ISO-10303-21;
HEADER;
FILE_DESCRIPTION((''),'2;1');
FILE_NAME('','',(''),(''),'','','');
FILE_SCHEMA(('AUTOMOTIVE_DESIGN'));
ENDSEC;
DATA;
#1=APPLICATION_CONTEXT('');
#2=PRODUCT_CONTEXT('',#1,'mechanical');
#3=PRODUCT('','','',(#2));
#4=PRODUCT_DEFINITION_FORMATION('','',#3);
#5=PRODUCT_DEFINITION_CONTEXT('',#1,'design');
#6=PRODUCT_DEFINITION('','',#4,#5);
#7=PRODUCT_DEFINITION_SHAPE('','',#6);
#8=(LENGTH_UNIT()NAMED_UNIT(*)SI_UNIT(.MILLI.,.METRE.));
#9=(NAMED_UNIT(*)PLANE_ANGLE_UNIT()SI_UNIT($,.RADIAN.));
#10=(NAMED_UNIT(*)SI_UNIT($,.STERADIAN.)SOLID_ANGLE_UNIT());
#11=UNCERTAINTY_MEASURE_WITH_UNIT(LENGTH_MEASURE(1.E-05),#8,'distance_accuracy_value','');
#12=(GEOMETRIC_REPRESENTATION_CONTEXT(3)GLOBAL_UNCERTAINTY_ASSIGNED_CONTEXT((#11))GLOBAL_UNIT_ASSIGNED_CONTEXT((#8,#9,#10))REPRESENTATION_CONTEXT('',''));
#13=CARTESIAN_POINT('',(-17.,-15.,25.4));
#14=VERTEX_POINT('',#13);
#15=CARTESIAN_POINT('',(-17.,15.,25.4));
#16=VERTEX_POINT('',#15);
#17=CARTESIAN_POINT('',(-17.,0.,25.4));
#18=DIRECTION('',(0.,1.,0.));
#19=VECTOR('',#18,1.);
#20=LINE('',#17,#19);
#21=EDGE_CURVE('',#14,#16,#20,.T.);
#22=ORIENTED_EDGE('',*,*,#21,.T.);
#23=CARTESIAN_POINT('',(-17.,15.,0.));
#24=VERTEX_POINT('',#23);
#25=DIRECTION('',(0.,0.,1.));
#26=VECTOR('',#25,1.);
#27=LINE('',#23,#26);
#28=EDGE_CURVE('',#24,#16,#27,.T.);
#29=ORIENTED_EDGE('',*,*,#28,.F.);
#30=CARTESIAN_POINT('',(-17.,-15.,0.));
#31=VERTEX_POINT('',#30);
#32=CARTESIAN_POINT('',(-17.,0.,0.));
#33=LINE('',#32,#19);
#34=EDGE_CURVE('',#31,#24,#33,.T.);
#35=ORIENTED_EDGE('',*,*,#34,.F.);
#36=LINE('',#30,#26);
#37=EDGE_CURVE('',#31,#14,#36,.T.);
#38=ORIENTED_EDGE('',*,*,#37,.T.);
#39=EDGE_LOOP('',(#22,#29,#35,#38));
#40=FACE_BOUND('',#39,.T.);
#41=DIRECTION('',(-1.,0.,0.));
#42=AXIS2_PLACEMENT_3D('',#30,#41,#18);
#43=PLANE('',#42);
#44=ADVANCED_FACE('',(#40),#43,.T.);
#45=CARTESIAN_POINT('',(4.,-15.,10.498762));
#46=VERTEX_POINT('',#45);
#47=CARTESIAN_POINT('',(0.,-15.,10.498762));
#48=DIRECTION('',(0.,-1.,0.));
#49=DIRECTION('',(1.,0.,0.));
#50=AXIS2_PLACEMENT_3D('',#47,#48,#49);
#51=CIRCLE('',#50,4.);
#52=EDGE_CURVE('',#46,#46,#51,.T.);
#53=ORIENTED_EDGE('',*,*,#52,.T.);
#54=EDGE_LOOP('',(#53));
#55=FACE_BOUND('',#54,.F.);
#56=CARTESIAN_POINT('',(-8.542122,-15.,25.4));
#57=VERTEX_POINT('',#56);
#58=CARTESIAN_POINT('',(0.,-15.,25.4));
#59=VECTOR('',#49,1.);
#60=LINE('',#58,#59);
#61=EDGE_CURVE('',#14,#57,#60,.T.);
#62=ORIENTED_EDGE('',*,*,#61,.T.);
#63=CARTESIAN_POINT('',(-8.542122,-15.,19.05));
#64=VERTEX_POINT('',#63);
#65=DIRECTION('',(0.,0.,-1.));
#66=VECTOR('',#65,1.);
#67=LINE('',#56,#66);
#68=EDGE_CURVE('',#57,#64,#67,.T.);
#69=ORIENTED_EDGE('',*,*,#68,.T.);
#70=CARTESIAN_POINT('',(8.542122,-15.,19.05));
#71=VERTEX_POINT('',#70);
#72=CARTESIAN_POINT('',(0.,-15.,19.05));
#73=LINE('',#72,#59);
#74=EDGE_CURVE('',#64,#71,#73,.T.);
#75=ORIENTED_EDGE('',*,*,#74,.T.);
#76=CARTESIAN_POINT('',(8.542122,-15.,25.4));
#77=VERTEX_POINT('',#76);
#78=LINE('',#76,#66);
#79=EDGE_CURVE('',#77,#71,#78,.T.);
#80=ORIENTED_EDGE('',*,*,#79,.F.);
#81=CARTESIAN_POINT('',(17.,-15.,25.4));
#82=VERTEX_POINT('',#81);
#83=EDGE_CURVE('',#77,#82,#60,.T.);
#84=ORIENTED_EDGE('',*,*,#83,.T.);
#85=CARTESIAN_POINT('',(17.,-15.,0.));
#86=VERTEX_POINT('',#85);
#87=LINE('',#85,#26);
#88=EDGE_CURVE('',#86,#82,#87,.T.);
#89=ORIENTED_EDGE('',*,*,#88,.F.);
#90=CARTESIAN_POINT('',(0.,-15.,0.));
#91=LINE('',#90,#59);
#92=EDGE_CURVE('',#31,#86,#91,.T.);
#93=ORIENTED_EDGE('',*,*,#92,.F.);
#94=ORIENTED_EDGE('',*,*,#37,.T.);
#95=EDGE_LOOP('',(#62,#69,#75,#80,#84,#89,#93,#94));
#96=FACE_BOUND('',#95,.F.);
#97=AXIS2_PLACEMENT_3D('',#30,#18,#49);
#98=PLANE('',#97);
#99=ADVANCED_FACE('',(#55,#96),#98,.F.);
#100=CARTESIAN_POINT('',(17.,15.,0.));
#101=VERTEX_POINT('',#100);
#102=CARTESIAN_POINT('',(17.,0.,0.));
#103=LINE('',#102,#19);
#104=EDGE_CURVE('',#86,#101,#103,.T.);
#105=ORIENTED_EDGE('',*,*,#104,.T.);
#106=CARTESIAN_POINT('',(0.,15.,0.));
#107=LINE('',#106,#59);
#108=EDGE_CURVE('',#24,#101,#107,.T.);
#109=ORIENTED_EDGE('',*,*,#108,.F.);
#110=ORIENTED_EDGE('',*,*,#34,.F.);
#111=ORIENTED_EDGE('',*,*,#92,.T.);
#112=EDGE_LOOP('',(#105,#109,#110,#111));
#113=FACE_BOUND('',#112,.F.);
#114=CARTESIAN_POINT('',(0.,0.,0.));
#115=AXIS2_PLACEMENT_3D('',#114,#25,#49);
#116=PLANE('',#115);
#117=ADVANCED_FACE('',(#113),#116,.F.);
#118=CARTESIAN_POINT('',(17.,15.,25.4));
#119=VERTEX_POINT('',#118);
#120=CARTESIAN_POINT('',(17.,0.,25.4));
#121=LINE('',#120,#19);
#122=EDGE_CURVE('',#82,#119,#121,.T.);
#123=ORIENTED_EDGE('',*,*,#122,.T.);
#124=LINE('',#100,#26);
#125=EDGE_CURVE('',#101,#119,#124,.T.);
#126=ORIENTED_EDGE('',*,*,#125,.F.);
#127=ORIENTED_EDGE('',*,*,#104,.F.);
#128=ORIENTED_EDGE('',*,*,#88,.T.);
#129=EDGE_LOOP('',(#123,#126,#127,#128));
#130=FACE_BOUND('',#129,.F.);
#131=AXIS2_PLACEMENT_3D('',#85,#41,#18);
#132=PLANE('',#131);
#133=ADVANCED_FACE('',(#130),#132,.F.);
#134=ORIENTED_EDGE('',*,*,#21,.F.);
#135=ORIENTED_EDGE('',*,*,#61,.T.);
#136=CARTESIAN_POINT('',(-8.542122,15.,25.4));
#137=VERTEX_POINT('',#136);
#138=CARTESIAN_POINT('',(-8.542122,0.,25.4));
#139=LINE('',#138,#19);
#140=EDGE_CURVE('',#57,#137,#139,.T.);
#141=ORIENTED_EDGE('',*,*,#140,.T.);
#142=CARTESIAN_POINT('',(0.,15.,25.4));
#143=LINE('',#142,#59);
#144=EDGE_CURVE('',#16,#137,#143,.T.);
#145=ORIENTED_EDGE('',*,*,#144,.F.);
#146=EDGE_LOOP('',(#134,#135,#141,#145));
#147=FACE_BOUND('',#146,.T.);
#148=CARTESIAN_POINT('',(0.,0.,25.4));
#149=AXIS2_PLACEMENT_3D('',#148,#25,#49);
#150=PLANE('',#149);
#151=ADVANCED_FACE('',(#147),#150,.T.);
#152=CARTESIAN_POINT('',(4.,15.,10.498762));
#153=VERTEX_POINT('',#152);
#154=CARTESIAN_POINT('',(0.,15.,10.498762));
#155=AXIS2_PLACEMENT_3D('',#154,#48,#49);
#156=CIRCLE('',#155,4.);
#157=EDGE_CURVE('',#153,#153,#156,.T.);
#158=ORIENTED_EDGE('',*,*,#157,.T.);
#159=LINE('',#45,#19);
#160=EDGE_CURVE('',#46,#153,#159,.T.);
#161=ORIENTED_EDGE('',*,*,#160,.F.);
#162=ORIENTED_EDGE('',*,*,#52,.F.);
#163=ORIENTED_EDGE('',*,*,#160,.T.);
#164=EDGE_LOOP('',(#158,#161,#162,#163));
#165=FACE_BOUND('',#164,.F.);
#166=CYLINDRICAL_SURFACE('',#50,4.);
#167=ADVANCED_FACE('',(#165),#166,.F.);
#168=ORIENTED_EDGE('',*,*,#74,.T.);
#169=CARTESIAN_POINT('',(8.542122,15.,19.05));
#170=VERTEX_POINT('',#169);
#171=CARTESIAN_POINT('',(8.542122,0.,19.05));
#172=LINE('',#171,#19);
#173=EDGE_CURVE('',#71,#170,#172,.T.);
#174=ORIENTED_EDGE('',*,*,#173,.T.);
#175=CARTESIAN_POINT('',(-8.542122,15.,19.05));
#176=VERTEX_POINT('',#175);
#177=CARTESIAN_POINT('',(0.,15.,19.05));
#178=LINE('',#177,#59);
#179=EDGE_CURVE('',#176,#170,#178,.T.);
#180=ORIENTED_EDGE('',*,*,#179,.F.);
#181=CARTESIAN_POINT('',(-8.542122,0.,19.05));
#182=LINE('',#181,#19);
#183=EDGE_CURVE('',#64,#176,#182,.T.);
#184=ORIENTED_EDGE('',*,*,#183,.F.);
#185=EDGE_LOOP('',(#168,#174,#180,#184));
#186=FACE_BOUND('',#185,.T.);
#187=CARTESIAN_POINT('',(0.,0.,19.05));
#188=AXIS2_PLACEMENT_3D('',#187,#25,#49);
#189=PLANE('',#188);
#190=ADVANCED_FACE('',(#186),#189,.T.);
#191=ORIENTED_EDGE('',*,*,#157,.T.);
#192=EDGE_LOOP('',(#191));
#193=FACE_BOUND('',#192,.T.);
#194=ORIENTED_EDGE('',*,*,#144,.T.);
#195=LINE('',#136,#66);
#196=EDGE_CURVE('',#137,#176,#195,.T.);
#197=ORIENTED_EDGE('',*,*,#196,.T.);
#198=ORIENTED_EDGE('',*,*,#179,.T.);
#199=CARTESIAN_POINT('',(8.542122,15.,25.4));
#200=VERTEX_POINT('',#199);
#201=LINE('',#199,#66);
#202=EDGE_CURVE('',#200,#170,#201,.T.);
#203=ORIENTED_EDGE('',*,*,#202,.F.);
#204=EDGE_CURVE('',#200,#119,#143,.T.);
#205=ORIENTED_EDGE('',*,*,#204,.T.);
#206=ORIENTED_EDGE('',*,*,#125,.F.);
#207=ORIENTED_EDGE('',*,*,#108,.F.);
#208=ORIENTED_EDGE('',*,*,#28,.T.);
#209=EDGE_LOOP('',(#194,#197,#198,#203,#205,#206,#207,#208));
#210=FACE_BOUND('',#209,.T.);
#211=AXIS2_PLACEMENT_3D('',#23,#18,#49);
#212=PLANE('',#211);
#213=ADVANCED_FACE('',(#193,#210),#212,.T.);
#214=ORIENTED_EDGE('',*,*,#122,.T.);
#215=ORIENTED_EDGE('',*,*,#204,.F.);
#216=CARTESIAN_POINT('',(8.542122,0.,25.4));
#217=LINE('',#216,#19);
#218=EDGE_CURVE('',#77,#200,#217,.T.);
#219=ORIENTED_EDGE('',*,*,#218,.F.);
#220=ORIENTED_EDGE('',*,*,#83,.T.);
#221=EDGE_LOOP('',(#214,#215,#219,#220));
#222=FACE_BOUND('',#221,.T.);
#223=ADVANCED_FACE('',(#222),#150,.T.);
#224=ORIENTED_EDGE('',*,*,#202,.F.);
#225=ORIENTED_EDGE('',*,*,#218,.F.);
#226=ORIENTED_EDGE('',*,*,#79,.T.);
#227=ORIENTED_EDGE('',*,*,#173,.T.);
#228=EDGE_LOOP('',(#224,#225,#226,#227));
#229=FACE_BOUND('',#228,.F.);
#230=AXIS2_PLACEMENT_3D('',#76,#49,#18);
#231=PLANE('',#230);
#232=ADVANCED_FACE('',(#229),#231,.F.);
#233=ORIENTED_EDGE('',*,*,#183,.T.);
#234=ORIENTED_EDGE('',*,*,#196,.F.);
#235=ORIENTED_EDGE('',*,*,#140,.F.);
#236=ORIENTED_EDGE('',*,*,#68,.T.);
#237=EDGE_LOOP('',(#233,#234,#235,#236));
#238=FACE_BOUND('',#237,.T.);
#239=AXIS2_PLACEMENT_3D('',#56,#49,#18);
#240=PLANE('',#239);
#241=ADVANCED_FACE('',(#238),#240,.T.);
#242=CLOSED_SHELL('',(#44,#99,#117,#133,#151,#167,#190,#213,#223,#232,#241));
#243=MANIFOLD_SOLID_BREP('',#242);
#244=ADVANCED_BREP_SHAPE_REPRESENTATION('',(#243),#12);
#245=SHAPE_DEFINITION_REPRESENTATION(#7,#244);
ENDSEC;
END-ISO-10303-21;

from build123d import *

# Parameters (mm, degrees)
F0_W     = 34
F0_H     = 30
F1_DEPTH = 25.4
F2_R     = 4
F3_DEPTH = 30.001
F4_W     = 17.084244
F4_H     = 30
F5_DEPTH = 6.35


with BuildPart() as f1:
    # F0 (on Top) → F1 (new body)
    with BuildSketch(Plane.XY):
        Rectangle(F0_W, F0_H)
    extrude(amount=F1_DEPTH)

    # F2 (on face) → F3 (cut, through all)
    with BuildSketch(Plane.XZ.offset(15)):
        with Locations((0, 10.498762)):
            Circle(F2_R)
    extrude(amount=-F3_DEPTH, mode=Mode.SUBTRACT)

    # F4 (on face) → F5 (cut)
    with BuildSketch(Plane.XY.offset(25.4)):
        Rectangle(F4_W, F4_H)
    extrude(amount=-F5_DEPTH, mode=Mode.SUBTRACT)


solid = f1.part
